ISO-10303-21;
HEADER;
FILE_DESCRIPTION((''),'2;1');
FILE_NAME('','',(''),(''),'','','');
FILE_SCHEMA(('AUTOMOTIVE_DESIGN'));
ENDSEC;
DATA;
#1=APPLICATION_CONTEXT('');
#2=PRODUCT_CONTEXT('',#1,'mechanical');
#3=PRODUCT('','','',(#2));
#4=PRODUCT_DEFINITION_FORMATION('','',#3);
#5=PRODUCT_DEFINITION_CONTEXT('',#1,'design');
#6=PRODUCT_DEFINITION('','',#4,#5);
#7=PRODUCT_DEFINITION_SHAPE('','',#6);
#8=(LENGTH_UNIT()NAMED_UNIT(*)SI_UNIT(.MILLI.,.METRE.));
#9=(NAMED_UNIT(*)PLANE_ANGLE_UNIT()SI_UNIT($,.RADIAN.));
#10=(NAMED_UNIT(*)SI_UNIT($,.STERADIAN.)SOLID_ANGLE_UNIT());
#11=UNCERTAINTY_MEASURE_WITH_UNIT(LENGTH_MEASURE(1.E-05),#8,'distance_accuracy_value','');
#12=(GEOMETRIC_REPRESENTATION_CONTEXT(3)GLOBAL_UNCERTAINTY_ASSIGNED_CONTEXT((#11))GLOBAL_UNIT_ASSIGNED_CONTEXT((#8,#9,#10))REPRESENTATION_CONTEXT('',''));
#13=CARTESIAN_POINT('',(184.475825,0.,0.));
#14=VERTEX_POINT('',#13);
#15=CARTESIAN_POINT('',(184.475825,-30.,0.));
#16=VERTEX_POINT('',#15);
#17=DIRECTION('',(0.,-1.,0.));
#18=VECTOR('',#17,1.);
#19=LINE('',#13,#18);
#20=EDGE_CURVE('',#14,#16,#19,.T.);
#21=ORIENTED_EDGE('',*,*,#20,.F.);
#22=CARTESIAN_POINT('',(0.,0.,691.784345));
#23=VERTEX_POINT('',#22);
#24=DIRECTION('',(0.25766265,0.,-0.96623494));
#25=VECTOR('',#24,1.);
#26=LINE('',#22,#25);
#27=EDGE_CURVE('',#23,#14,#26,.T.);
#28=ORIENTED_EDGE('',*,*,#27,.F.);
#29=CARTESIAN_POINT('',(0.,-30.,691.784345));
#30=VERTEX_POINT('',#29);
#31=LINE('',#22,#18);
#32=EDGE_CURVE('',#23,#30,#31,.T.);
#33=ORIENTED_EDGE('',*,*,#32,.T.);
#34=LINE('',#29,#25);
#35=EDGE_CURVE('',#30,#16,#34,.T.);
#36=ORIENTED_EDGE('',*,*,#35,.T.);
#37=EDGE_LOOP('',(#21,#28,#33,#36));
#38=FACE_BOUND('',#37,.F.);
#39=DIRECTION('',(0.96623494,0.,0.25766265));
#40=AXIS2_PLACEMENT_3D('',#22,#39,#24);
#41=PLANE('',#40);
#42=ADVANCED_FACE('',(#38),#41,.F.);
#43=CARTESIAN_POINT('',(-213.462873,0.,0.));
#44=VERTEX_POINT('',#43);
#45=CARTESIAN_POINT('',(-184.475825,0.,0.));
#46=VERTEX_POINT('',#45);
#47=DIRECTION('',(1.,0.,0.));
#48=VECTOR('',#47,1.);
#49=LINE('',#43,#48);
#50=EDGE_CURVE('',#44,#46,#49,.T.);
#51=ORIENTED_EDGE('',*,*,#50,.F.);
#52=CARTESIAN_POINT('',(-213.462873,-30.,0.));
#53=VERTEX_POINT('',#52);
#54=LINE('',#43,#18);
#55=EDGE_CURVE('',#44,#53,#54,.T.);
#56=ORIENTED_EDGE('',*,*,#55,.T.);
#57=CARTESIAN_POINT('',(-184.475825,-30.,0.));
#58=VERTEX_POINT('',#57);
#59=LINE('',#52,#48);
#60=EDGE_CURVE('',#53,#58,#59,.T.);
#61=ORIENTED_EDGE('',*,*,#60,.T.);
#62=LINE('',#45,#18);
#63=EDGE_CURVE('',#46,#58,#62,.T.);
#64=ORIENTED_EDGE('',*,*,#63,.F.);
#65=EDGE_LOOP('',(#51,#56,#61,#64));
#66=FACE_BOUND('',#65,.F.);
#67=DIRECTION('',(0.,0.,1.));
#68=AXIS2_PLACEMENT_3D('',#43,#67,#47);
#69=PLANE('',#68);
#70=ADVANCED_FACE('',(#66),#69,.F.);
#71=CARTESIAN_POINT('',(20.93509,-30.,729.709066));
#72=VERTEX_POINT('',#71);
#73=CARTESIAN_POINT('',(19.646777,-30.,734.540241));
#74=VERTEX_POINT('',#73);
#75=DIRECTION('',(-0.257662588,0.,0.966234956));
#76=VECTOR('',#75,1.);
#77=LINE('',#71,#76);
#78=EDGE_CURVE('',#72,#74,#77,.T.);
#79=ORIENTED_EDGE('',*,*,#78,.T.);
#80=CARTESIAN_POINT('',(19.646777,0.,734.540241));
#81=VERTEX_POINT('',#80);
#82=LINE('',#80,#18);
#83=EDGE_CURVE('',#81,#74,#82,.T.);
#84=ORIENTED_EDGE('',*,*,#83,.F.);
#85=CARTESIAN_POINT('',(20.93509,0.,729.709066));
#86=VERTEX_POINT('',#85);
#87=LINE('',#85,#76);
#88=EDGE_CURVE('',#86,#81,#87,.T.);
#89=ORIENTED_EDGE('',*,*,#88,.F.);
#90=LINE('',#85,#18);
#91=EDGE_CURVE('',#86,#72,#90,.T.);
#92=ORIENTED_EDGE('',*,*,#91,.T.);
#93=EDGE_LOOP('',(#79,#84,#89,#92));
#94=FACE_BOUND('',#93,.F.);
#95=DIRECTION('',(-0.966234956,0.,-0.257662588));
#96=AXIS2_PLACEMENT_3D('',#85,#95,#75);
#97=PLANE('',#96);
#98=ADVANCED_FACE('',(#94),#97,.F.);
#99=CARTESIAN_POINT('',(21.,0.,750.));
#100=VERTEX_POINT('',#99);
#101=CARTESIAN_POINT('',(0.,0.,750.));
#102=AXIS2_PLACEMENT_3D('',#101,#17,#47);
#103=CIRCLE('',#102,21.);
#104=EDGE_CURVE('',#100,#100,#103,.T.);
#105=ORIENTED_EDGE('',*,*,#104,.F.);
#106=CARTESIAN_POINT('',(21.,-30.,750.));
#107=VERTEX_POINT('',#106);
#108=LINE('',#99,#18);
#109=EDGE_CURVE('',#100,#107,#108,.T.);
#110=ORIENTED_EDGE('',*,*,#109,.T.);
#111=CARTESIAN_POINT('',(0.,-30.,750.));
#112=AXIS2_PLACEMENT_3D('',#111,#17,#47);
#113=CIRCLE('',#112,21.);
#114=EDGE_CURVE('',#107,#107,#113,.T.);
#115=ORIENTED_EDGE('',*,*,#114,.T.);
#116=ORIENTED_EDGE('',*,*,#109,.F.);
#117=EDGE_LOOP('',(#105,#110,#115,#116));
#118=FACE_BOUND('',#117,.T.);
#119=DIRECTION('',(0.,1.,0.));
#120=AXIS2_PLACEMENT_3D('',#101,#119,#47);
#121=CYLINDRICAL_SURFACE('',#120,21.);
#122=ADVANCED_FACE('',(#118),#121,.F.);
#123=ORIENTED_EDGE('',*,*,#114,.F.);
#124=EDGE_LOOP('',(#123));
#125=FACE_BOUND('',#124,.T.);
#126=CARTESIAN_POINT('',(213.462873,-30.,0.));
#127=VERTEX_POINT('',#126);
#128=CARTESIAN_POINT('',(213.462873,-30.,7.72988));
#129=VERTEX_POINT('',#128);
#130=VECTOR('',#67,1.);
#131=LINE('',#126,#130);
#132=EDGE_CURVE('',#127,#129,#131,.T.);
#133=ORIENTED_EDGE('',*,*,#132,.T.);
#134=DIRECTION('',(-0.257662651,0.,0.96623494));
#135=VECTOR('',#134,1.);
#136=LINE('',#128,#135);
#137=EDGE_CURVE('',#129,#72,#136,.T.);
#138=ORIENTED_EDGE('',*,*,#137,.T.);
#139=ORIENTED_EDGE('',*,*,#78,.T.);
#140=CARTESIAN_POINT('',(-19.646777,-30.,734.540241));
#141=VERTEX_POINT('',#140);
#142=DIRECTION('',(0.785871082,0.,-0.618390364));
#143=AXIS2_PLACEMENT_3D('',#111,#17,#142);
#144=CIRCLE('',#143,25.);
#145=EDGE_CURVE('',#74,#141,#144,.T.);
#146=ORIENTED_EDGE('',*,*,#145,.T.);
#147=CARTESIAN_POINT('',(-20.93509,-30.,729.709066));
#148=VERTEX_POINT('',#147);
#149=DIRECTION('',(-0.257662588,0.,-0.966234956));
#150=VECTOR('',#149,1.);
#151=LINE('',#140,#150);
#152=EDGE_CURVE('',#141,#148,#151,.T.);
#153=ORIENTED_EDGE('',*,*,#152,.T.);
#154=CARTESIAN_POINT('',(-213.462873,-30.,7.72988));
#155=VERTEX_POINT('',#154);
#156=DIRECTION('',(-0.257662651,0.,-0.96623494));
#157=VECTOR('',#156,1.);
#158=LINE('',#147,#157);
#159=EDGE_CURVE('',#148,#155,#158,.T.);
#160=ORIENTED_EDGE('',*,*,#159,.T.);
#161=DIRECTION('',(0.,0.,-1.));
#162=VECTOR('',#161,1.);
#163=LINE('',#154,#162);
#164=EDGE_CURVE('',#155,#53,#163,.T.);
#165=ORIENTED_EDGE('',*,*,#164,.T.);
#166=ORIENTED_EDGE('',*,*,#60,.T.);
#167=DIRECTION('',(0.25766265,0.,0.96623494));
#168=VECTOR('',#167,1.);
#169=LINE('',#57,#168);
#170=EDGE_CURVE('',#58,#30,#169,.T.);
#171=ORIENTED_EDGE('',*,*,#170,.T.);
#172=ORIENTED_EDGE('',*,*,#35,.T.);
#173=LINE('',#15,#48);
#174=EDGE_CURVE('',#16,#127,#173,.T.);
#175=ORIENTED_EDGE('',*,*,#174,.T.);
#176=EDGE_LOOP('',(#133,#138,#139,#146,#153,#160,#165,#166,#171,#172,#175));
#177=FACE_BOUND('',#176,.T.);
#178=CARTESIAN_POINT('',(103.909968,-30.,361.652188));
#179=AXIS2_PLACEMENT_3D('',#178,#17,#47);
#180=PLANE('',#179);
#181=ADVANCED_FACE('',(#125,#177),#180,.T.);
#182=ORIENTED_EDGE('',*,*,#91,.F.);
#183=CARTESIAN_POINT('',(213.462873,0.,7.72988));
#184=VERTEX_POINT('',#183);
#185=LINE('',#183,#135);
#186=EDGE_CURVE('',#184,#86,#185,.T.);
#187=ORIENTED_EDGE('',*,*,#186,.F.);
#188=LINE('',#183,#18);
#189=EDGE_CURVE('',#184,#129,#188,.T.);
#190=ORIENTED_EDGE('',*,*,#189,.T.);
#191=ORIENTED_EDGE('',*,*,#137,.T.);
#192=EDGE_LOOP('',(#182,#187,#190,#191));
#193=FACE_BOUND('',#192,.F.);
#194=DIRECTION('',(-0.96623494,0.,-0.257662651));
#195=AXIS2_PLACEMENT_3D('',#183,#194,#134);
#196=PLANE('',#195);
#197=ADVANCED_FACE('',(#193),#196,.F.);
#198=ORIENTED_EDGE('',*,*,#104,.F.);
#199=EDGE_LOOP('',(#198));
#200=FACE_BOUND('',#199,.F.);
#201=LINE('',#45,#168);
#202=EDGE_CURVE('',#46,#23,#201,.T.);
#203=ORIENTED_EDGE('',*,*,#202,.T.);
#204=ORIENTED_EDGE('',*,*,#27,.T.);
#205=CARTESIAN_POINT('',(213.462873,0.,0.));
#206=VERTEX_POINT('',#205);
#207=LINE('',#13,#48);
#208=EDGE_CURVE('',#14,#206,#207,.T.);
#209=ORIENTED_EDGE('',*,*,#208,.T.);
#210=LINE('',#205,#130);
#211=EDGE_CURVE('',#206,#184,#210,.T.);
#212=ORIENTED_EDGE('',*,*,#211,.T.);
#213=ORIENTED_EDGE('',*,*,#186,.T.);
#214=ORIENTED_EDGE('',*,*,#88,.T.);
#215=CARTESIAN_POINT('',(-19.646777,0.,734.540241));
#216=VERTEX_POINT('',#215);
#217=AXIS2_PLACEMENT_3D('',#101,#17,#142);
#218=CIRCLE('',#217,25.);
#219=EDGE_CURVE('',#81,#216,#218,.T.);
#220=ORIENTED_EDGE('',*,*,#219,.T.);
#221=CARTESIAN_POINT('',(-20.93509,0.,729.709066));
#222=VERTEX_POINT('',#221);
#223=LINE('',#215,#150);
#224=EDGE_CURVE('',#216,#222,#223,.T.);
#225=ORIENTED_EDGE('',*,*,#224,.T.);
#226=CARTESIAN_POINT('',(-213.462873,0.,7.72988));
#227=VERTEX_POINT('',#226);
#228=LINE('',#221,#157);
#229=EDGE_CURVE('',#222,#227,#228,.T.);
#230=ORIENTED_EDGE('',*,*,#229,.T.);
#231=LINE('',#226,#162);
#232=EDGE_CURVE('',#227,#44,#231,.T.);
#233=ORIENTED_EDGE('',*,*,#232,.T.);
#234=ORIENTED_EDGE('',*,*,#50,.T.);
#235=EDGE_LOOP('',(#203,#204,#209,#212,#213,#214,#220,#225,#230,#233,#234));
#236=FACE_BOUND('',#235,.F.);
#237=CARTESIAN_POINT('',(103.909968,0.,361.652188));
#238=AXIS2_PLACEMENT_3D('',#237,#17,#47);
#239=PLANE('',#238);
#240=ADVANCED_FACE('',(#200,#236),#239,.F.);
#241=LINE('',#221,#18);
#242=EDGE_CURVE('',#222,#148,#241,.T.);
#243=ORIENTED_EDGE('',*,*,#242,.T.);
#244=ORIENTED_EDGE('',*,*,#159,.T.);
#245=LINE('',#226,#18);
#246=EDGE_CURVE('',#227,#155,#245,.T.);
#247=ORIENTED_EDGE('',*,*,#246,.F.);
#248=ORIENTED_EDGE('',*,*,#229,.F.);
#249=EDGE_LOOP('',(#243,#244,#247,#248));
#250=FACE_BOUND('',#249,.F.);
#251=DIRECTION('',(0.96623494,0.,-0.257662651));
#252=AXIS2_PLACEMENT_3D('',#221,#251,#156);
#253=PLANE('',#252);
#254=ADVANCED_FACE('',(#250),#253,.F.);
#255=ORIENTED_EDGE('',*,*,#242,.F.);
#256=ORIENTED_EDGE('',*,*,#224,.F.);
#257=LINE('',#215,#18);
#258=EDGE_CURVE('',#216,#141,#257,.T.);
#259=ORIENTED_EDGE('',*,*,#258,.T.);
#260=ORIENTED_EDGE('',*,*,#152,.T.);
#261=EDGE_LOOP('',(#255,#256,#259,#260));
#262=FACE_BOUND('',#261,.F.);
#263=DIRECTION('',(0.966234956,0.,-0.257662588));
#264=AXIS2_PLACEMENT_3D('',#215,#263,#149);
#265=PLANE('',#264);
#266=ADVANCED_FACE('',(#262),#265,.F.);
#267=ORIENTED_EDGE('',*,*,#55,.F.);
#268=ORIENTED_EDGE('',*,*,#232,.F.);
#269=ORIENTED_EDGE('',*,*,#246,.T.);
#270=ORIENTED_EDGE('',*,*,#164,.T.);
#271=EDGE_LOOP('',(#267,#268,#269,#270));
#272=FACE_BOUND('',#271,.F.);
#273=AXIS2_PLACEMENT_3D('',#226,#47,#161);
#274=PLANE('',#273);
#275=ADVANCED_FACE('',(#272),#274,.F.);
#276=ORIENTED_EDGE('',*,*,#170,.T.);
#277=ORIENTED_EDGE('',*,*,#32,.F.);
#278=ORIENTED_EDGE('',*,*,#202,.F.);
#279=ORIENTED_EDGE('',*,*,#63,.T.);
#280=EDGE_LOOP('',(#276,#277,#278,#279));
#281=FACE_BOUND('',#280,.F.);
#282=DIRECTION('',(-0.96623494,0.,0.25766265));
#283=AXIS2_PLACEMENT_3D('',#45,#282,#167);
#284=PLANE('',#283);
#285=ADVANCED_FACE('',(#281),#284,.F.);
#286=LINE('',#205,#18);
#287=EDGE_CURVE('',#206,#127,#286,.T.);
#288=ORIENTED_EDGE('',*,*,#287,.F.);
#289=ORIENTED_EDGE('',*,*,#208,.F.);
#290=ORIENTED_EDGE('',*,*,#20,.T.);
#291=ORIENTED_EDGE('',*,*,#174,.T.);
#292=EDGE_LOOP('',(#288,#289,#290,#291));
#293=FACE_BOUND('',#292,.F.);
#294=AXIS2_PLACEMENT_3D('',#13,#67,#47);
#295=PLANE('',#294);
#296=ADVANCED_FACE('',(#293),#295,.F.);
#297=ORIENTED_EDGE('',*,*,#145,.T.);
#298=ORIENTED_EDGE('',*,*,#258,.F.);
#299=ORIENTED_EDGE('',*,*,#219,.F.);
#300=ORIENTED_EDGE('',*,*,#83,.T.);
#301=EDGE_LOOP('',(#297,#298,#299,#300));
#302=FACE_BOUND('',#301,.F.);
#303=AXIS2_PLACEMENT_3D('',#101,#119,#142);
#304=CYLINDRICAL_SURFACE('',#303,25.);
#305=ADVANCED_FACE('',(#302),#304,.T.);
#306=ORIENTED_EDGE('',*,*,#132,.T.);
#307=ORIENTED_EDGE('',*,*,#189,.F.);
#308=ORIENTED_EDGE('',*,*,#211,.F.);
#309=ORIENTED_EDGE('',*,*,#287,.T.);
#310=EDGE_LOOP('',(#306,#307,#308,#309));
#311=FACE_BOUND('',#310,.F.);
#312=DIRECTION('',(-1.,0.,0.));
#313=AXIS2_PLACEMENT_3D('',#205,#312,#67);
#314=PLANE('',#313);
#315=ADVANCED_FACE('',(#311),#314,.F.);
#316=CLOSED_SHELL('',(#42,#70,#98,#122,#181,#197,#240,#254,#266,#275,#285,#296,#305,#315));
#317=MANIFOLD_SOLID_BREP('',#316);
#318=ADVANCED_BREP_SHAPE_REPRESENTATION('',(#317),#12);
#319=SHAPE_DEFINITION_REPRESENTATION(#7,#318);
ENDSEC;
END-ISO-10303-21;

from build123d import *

# Parameters (mm, degrees)
F0_R     = 21
F1_DEPTH = 30


with BuildPart() as f1:
    # F0 (on Front) → F1 (new body)
    with BuildSketch(Plane.XZ):
        with BuildLine():
            Line((20.93509, 729.709066), (19.646777, 734.540241))
            ThreePointArc((19.646777, 734.540241), (15, 730), (9.340271, 726.810361))
            Line((9.340271, 726.810361), (8.051958, 721.979187))
            Line((8.051958, 721.979187), (0, 691.784345))
            Line((0, 691.784345), (184.475825, 0))
            Line((184.475825, 0), (213.462873, 0))
            Line((213.462873, 0), (213.462873, 7.72988))
            Line((213.462873, 7.72988), (20.93509, 729.709066))
        make_face()
        with BuildLine():
            Line((-20.93509, 729.709066), (-213.462873, 7.72988))
            Line((-213.462873, 7.72988), (-213.462873, 0))
            Line((-213.462873, 0), (-184.475825, 0))
            Line((-184.475825, 0), (0, 691.784345))
            Line((0, 691.784345), (-8.051958, 721.979187))
            Line((-8.051958, 721.979187), (-9.340271, 726.810361))
            ThreePointArc((-9.340271, 726.810361), (-15, 730), (-19.646777, 734.540241))
            Line((-19.646777, 734.540241), (-20.93509, 729.709066))
        make_face()
        with BuildLine():
            ThreePointArc((19.646777, 734.540241), (0, 775), (-19.646777, 734.540241))
            ThreePointArc((-19.646777, 734.540241), (-15, 730), (-9.340271, 726.810361))
            Line((-9.340271, 726.810361), (-8.051958, 721.979187))
            Line((-8.051958, 721.979187), (0, 691.784345))
            Line((0, 691.784345), (8.051958, 721.979187))
            Line((8.051958, 721.979187), (9.340271, 726.810361))
            ThreePointArc((9.340271, 726.810361), (15, 730), (19.646777, 734.540241))
        make_face()
        with Locations((0, 750)):
            Circle(F0_R, mode=Mode.SUBTRACT)
    extrude(amount=F1_DEPTH)


solid = f1.part
